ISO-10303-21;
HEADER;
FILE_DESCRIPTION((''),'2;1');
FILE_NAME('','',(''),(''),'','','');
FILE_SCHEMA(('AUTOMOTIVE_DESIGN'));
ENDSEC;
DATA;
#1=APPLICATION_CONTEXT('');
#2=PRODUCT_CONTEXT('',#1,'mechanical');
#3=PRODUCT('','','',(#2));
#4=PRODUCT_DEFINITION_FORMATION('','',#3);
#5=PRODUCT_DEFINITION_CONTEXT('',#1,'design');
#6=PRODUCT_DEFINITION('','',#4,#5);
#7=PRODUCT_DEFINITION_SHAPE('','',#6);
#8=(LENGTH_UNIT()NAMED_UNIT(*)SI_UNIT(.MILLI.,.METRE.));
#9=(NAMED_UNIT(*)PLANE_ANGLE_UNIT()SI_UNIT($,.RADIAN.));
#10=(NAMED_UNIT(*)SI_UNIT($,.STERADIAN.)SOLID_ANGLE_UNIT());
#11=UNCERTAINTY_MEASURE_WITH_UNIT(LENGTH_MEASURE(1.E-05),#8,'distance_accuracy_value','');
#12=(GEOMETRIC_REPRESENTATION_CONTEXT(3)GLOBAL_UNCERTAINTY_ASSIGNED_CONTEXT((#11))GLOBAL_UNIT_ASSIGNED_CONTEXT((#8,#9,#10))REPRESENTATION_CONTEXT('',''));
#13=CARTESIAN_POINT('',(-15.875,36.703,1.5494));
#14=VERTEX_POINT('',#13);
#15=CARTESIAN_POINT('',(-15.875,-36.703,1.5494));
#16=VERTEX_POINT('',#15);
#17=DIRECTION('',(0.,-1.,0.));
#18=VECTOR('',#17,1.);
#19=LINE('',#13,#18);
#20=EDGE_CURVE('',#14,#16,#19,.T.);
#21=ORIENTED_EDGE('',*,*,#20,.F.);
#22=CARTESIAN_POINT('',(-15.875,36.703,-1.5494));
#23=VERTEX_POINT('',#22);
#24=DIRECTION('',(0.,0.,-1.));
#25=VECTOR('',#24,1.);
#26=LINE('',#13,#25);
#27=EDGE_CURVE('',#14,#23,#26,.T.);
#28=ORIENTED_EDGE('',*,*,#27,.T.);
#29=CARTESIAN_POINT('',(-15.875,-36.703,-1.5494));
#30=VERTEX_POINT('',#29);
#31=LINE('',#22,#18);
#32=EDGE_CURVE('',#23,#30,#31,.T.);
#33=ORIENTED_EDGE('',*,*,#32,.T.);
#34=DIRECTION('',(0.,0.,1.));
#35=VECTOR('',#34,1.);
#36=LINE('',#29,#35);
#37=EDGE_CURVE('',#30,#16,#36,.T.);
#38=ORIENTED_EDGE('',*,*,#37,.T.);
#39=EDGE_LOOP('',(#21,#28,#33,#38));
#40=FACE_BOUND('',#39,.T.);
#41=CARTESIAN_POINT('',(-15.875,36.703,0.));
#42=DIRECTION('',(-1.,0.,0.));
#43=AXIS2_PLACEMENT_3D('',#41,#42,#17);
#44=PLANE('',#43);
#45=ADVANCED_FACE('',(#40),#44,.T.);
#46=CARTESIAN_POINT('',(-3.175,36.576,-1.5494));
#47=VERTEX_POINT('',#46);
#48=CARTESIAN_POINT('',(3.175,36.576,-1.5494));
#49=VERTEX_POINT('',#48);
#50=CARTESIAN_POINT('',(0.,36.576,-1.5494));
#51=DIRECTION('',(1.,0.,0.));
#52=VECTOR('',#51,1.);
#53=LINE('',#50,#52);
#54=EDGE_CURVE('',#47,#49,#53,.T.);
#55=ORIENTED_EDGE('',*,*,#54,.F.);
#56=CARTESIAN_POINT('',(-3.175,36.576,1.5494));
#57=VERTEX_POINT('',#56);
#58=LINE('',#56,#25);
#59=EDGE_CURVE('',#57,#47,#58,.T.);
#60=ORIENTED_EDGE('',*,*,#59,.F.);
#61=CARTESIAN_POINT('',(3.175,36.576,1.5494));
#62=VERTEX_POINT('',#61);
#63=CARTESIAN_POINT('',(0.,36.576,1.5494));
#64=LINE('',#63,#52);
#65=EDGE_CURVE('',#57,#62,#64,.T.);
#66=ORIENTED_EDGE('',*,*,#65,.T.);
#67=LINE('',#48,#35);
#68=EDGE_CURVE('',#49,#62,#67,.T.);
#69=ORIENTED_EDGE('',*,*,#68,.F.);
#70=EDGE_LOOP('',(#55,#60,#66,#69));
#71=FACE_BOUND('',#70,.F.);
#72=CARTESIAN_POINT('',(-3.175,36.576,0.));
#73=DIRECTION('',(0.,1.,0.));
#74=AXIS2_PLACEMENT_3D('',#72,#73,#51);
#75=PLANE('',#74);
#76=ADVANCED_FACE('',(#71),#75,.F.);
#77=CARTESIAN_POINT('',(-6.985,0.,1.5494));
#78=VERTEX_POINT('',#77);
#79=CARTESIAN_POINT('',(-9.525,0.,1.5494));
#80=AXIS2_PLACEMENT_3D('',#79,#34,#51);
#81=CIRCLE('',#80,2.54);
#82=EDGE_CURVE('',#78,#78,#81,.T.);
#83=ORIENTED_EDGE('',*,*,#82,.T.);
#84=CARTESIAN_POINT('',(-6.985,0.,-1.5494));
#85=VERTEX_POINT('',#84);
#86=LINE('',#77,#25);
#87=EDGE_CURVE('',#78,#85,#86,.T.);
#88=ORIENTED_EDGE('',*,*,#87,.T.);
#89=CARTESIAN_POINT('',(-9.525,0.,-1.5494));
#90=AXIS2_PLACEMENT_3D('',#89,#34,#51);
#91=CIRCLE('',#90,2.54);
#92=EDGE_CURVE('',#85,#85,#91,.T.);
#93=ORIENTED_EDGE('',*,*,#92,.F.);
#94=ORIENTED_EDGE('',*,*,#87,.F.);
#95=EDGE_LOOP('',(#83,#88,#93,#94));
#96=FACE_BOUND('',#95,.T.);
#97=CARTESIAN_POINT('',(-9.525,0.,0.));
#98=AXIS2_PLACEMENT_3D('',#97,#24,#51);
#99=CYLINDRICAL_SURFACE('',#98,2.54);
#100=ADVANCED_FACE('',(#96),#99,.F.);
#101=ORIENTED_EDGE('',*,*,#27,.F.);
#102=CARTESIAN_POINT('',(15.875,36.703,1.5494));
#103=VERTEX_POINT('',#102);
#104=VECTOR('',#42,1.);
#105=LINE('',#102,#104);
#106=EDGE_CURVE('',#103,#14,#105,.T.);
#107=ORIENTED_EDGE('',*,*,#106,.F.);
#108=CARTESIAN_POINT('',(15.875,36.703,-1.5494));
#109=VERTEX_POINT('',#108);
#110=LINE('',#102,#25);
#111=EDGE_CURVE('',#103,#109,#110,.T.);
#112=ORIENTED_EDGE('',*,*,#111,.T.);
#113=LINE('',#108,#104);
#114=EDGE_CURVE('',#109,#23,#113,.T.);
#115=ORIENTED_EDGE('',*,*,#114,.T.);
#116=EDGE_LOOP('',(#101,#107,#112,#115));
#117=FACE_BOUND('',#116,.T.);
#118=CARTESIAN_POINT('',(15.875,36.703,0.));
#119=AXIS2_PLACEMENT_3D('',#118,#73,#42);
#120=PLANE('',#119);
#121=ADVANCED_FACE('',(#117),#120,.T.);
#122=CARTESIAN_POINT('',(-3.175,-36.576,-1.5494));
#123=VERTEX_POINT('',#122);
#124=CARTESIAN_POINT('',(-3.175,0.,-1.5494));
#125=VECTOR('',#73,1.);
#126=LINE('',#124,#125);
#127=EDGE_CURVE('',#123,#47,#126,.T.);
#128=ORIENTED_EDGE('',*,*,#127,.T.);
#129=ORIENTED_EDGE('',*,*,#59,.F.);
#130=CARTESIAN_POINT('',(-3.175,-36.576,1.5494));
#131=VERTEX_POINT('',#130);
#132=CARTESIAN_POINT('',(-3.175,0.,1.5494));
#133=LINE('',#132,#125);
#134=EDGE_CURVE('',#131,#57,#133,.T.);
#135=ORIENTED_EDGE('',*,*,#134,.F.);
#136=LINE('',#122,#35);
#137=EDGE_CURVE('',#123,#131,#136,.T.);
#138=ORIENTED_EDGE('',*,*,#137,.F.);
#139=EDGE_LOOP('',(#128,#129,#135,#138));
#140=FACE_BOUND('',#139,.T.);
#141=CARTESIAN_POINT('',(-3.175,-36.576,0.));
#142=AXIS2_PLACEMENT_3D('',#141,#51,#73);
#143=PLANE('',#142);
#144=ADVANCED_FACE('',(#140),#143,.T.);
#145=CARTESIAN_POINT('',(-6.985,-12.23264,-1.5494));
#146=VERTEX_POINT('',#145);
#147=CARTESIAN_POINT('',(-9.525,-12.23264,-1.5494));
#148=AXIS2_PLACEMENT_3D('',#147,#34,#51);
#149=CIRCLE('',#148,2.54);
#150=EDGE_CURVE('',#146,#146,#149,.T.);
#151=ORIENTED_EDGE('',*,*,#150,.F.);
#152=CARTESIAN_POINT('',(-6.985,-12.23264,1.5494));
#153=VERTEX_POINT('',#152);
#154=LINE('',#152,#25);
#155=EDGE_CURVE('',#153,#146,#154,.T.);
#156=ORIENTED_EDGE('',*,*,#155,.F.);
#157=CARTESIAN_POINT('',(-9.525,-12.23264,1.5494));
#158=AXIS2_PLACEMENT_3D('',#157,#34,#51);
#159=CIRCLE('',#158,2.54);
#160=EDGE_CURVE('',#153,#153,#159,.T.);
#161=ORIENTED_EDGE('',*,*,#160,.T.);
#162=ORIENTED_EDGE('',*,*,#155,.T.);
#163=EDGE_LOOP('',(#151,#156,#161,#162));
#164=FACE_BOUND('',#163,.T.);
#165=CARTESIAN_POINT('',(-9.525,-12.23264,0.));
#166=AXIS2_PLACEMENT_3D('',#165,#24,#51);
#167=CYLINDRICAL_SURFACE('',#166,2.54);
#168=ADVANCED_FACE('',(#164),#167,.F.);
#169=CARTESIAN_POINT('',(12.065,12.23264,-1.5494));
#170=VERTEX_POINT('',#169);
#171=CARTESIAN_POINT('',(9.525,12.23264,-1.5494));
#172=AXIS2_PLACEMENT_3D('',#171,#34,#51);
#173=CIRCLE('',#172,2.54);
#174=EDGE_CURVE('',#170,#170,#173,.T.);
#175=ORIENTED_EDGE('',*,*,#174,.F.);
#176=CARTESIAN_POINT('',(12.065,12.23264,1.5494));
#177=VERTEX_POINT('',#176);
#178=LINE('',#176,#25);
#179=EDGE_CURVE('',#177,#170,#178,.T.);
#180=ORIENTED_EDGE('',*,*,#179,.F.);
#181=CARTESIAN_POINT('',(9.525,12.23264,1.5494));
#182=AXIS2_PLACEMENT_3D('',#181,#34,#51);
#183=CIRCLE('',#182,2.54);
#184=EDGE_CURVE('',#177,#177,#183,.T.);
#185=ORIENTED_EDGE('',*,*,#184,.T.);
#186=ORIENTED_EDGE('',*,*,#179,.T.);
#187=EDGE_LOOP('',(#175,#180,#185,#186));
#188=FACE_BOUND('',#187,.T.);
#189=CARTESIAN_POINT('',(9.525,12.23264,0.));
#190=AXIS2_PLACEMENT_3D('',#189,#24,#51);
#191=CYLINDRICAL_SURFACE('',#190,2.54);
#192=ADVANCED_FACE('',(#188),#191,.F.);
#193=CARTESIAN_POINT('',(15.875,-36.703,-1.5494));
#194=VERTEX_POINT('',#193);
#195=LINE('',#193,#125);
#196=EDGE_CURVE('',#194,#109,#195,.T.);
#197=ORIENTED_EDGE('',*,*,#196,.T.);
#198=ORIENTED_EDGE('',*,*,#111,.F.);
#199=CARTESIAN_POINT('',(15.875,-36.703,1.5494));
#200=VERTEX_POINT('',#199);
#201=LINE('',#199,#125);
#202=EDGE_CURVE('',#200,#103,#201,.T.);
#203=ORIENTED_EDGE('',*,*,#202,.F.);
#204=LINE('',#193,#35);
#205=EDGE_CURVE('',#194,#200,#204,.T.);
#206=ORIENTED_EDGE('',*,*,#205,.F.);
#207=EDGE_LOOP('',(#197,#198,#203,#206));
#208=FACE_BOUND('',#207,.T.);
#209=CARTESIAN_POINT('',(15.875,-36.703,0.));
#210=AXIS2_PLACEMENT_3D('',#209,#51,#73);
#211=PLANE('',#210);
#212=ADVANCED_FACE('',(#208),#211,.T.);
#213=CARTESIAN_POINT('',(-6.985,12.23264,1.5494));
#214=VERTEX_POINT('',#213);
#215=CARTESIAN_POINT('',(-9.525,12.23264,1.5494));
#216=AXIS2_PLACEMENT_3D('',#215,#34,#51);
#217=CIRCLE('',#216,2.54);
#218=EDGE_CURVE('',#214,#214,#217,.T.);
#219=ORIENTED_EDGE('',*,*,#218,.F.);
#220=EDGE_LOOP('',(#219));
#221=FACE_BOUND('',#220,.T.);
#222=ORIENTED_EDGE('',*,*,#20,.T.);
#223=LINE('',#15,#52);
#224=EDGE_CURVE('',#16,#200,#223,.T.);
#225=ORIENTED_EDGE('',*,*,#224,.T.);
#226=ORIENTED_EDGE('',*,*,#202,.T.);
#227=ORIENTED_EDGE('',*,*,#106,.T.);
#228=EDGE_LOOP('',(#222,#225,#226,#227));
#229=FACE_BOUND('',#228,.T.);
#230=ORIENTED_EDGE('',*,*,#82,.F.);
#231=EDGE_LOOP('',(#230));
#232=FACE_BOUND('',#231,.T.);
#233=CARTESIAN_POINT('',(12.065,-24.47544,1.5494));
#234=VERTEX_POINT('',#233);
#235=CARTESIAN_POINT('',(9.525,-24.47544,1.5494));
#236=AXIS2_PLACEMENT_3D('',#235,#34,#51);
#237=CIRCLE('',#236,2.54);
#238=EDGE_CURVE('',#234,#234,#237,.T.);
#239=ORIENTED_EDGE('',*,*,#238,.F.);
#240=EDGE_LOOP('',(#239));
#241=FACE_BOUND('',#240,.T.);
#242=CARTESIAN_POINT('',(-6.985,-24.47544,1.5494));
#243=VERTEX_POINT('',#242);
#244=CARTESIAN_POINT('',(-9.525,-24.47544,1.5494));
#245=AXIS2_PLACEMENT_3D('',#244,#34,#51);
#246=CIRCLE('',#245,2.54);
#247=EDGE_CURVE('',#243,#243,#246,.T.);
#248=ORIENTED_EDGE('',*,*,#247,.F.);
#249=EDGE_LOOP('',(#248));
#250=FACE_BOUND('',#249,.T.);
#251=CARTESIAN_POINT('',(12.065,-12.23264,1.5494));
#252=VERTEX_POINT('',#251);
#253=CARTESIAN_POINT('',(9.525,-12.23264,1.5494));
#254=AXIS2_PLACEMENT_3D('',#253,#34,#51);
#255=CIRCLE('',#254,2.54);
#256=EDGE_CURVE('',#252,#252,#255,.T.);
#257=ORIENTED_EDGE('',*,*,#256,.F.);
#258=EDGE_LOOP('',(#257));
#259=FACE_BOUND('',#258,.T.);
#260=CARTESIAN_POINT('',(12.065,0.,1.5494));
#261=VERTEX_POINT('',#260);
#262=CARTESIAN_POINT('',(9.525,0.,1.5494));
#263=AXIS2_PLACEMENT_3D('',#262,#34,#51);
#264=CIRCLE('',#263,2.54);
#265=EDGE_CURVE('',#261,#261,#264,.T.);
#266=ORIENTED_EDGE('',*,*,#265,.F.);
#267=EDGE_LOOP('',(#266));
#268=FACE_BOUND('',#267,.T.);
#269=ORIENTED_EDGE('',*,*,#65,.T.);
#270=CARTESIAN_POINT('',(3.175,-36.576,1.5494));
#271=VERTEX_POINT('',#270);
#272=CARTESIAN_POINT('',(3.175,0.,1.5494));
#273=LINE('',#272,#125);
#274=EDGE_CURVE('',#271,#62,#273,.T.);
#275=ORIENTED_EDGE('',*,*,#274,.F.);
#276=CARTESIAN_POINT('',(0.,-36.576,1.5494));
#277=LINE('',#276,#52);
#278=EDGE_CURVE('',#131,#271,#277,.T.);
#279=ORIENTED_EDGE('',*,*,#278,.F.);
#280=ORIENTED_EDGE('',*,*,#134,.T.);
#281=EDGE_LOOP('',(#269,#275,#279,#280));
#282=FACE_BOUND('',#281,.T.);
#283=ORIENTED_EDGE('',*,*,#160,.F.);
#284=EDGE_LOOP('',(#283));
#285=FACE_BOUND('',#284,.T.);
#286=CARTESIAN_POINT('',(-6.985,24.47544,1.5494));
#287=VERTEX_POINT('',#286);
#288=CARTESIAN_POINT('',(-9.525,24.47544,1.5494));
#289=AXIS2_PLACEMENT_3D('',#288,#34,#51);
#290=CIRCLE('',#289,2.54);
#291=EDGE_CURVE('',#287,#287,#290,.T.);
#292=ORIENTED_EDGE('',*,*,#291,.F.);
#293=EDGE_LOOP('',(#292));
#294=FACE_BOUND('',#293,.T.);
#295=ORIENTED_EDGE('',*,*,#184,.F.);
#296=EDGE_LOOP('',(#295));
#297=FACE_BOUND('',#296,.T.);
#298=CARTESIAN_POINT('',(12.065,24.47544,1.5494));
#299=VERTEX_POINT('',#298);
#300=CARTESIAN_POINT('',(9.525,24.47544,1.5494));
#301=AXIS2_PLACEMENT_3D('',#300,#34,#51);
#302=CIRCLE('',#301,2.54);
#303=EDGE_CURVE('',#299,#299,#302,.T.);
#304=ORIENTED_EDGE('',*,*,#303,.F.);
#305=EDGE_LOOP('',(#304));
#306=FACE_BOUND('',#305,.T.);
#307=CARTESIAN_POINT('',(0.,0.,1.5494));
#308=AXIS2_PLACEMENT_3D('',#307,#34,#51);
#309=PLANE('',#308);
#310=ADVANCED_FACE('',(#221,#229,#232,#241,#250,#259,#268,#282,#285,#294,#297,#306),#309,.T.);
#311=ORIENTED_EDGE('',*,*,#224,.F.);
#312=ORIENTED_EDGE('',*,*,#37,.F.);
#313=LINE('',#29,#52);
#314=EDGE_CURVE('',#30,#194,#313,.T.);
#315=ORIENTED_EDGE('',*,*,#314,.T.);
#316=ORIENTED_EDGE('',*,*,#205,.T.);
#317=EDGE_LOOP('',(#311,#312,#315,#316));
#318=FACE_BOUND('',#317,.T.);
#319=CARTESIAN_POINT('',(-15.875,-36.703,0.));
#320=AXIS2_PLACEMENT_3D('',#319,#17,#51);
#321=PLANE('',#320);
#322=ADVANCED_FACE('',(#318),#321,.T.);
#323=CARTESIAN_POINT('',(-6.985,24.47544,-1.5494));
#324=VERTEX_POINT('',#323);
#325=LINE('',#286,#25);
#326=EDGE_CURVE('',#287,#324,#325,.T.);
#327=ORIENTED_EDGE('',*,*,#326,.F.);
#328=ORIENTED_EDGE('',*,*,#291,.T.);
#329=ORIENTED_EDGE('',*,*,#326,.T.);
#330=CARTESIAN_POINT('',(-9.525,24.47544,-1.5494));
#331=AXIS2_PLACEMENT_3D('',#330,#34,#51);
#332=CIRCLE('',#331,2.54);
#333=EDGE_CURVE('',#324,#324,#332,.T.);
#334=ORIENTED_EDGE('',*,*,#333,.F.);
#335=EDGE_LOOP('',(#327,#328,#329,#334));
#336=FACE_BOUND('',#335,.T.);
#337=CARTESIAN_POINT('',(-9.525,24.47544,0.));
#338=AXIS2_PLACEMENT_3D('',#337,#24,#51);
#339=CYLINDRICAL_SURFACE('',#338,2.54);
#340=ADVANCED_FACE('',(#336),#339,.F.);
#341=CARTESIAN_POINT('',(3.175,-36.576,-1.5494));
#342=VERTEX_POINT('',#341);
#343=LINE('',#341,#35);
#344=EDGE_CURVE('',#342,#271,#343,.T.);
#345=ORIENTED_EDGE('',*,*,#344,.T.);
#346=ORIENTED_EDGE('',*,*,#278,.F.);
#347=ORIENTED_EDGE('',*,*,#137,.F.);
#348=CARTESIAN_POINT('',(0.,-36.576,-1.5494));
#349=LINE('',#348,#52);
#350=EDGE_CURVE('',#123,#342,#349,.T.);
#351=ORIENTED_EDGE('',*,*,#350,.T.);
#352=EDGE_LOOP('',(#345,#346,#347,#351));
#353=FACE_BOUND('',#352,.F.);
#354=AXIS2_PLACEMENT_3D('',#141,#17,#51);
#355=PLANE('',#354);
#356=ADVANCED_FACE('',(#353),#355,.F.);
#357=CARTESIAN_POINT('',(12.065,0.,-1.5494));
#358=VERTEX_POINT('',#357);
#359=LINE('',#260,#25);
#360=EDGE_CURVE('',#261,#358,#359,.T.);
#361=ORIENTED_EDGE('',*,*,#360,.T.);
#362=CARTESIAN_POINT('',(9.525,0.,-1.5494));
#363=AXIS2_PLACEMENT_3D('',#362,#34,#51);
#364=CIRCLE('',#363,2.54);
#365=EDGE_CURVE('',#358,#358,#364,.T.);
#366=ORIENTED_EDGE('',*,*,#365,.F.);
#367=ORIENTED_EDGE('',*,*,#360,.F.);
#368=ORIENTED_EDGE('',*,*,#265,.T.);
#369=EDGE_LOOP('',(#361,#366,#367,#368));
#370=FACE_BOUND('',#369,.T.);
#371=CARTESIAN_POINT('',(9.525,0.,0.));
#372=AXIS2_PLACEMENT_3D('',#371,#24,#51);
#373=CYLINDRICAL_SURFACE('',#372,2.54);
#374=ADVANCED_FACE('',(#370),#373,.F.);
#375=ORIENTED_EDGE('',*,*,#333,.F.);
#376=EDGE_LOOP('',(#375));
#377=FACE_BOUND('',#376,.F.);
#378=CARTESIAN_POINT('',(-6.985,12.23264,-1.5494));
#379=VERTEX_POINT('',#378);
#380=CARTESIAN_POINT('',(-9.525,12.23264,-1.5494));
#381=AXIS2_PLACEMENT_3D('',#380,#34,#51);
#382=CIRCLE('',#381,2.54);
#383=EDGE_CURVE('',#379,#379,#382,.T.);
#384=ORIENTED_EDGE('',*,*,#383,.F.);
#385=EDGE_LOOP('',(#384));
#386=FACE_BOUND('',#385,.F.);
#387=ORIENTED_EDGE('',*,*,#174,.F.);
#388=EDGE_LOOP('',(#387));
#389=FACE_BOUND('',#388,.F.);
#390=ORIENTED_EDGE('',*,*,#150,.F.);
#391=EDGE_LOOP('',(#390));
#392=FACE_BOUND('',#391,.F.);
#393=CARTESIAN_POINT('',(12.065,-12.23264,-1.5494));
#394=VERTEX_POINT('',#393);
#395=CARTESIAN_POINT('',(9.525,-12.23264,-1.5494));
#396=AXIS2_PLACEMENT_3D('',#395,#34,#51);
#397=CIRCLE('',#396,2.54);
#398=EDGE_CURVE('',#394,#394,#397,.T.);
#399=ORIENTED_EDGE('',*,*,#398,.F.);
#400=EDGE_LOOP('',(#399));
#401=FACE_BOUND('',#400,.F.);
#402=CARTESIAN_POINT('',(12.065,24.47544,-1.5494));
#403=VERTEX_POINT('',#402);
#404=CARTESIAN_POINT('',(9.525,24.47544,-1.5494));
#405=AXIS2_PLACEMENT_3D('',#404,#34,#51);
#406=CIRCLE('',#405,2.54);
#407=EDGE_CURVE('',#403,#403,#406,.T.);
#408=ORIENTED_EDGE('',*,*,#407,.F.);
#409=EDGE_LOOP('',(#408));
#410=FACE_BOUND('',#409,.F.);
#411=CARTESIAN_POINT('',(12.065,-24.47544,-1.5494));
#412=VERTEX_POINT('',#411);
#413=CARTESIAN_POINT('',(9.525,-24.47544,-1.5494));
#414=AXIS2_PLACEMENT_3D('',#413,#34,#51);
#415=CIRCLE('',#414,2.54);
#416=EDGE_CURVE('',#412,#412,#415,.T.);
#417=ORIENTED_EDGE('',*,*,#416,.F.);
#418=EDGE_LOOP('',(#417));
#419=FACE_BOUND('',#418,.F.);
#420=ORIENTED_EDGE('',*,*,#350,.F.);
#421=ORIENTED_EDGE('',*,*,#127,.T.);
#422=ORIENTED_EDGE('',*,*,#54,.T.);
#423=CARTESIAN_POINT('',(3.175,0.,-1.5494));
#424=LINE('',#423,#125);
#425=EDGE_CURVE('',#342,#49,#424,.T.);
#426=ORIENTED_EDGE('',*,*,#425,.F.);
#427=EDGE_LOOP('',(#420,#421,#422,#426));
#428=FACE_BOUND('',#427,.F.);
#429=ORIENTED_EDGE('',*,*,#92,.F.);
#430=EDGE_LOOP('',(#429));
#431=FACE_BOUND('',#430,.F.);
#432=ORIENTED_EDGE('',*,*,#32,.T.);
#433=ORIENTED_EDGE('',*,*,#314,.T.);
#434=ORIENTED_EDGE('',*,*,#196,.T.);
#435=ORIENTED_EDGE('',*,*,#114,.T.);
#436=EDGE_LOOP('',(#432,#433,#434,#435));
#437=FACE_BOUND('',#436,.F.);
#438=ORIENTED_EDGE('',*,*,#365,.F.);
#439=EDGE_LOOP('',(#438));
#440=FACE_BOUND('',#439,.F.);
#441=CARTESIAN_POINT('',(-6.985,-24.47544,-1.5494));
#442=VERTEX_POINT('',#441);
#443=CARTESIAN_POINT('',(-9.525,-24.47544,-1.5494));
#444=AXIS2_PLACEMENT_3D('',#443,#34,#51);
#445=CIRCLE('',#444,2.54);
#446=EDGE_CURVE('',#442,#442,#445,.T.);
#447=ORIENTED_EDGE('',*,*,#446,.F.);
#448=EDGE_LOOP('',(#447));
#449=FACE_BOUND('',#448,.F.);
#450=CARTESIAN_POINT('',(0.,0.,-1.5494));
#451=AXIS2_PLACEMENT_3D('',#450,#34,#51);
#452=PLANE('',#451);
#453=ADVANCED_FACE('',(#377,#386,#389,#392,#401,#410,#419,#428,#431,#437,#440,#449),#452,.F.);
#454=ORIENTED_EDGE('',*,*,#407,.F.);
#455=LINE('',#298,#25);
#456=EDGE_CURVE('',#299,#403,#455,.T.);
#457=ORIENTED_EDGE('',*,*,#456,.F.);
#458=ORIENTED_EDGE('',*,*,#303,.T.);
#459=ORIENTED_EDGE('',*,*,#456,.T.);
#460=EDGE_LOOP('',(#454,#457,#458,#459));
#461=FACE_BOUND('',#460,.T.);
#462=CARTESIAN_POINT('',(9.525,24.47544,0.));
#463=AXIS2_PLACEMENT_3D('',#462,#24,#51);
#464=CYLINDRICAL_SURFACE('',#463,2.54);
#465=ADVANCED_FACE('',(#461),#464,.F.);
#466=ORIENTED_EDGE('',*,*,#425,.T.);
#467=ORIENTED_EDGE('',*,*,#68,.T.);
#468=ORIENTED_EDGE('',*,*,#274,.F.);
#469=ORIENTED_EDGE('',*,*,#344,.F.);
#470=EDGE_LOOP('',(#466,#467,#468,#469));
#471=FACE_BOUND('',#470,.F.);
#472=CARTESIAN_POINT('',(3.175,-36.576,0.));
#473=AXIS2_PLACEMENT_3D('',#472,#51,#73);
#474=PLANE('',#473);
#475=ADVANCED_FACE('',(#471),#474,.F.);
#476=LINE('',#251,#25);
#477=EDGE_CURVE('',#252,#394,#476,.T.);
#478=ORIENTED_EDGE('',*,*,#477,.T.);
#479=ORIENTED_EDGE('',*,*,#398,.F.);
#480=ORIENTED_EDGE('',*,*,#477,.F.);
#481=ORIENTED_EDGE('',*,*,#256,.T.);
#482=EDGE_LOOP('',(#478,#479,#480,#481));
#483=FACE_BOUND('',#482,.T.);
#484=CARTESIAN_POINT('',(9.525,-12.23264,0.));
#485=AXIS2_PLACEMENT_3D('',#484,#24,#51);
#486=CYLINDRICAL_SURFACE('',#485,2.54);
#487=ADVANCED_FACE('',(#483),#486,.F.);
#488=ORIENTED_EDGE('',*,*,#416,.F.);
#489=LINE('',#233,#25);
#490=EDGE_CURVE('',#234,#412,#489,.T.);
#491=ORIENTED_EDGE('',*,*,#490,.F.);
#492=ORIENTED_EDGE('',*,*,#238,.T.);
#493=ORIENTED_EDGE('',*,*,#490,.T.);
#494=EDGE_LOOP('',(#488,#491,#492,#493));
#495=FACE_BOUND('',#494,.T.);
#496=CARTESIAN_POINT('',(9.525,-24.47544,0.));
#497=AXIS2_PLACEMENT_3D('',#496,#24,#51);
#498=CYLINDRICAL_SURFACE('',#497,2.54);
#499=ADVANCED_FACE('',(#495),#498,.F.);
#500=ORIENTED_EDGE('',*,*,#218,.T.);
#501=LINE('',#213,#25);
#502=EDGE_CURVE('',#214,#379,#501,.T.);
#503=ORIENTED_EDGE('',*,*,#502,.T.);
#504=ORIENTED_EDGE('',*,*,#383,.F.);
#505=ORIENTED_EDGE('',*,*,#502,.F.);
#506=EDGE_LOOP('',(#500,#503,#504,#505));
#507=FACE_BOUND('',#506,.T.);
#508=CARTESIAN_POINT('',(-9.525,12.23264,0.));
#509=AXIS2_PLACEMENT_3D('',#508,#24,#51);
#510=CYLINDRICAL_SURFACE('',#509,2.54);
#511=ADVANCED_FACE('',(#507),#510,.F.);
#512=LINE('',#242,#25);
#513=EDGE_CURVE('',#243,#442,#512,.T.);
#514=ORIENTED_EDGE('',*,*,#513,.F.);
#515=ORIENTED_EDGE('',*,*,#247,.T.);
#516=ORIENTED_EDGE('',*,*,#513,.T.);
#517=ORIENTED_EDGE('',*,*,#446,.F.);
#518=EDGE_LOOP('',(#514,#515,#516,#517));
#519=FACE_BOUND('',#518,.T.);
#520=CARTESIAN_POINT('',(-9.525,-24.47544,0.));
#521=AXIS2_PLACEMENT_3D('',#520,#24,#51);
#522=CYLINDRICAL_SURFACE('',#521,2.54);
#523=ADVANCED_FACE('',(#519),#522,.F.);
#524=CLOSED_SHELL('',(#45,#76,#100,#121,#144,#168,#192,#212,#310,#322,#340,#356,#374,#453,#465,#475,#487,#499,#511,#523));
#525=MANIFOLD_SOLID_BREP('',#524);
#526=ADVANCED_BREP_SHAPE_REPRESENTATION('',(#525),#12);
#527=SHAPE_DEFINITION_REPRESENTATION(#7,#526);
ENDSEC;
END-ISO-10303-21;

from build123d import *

# Parameters (mm, degrees)
F0_R     = 2.54
F0_W     = 6.35
F0_H     = 73.152
F1_DEPTH = 1.5494


with BuildPart() as f1:
    # F0 (on Top) → F1 (new body, symmetric)
    with BuildSketch(Plane.XY):
        Polygon((-3.175, 36.703), (-15.875, 36.703), (-15.875, -36.703), (-3.244379, -36.703), (-3.175, -36.703), (3.105621, -36.703), (15.875, -36.703), (15.875, 36.703), (3.175, 36.703), (-3.105621, 36.703), align=None)
        with Locations((-9.525, -24.47544)):
            Circle(F0_R, mode=Mode.SUBTRACT)
        with Locations((-9.525, -12.23264)):
            Circle(F0_R, mode=Mode.SUBTRACT)
        with Locations((9.525, -24.47544)):
            Circle(F0_R, mode=Mode.SUBTRACT)
        with Locations((9.525, -12.23264)):
            Circle(F0_R, mode=Mode.SUBTRACT)
        with Locations((-9.525, 0)):
            Circle(F0_R, mode=Mode.SUBTRACT)
        with Locations((-9.525, 12.23264)):
            Circle(F0_R, mode=Mode.SUBTRACT)
        with Locations((-9.525, 24.47544)):
            Circle(F0_R, mode=Mode.SUBTRACT)
        Rectangle(F0_W, F0_H, mode=Mode.SUBTRACT)
        with Locations((9.525, 0)):
            Circle(F0_R, mode=Mode.SUBTRACT)
        with Locations((9.525, 12.23264)):
            Circle(F0_R, mode=Mode.SUBTRACT)
        with Locations((9.525, 24.47544)):
            Circle(F0_R, mode=Mode.SUBTRACT)
    extrude(amount=F1_DEPTH, both=True)


solid = f1.part
